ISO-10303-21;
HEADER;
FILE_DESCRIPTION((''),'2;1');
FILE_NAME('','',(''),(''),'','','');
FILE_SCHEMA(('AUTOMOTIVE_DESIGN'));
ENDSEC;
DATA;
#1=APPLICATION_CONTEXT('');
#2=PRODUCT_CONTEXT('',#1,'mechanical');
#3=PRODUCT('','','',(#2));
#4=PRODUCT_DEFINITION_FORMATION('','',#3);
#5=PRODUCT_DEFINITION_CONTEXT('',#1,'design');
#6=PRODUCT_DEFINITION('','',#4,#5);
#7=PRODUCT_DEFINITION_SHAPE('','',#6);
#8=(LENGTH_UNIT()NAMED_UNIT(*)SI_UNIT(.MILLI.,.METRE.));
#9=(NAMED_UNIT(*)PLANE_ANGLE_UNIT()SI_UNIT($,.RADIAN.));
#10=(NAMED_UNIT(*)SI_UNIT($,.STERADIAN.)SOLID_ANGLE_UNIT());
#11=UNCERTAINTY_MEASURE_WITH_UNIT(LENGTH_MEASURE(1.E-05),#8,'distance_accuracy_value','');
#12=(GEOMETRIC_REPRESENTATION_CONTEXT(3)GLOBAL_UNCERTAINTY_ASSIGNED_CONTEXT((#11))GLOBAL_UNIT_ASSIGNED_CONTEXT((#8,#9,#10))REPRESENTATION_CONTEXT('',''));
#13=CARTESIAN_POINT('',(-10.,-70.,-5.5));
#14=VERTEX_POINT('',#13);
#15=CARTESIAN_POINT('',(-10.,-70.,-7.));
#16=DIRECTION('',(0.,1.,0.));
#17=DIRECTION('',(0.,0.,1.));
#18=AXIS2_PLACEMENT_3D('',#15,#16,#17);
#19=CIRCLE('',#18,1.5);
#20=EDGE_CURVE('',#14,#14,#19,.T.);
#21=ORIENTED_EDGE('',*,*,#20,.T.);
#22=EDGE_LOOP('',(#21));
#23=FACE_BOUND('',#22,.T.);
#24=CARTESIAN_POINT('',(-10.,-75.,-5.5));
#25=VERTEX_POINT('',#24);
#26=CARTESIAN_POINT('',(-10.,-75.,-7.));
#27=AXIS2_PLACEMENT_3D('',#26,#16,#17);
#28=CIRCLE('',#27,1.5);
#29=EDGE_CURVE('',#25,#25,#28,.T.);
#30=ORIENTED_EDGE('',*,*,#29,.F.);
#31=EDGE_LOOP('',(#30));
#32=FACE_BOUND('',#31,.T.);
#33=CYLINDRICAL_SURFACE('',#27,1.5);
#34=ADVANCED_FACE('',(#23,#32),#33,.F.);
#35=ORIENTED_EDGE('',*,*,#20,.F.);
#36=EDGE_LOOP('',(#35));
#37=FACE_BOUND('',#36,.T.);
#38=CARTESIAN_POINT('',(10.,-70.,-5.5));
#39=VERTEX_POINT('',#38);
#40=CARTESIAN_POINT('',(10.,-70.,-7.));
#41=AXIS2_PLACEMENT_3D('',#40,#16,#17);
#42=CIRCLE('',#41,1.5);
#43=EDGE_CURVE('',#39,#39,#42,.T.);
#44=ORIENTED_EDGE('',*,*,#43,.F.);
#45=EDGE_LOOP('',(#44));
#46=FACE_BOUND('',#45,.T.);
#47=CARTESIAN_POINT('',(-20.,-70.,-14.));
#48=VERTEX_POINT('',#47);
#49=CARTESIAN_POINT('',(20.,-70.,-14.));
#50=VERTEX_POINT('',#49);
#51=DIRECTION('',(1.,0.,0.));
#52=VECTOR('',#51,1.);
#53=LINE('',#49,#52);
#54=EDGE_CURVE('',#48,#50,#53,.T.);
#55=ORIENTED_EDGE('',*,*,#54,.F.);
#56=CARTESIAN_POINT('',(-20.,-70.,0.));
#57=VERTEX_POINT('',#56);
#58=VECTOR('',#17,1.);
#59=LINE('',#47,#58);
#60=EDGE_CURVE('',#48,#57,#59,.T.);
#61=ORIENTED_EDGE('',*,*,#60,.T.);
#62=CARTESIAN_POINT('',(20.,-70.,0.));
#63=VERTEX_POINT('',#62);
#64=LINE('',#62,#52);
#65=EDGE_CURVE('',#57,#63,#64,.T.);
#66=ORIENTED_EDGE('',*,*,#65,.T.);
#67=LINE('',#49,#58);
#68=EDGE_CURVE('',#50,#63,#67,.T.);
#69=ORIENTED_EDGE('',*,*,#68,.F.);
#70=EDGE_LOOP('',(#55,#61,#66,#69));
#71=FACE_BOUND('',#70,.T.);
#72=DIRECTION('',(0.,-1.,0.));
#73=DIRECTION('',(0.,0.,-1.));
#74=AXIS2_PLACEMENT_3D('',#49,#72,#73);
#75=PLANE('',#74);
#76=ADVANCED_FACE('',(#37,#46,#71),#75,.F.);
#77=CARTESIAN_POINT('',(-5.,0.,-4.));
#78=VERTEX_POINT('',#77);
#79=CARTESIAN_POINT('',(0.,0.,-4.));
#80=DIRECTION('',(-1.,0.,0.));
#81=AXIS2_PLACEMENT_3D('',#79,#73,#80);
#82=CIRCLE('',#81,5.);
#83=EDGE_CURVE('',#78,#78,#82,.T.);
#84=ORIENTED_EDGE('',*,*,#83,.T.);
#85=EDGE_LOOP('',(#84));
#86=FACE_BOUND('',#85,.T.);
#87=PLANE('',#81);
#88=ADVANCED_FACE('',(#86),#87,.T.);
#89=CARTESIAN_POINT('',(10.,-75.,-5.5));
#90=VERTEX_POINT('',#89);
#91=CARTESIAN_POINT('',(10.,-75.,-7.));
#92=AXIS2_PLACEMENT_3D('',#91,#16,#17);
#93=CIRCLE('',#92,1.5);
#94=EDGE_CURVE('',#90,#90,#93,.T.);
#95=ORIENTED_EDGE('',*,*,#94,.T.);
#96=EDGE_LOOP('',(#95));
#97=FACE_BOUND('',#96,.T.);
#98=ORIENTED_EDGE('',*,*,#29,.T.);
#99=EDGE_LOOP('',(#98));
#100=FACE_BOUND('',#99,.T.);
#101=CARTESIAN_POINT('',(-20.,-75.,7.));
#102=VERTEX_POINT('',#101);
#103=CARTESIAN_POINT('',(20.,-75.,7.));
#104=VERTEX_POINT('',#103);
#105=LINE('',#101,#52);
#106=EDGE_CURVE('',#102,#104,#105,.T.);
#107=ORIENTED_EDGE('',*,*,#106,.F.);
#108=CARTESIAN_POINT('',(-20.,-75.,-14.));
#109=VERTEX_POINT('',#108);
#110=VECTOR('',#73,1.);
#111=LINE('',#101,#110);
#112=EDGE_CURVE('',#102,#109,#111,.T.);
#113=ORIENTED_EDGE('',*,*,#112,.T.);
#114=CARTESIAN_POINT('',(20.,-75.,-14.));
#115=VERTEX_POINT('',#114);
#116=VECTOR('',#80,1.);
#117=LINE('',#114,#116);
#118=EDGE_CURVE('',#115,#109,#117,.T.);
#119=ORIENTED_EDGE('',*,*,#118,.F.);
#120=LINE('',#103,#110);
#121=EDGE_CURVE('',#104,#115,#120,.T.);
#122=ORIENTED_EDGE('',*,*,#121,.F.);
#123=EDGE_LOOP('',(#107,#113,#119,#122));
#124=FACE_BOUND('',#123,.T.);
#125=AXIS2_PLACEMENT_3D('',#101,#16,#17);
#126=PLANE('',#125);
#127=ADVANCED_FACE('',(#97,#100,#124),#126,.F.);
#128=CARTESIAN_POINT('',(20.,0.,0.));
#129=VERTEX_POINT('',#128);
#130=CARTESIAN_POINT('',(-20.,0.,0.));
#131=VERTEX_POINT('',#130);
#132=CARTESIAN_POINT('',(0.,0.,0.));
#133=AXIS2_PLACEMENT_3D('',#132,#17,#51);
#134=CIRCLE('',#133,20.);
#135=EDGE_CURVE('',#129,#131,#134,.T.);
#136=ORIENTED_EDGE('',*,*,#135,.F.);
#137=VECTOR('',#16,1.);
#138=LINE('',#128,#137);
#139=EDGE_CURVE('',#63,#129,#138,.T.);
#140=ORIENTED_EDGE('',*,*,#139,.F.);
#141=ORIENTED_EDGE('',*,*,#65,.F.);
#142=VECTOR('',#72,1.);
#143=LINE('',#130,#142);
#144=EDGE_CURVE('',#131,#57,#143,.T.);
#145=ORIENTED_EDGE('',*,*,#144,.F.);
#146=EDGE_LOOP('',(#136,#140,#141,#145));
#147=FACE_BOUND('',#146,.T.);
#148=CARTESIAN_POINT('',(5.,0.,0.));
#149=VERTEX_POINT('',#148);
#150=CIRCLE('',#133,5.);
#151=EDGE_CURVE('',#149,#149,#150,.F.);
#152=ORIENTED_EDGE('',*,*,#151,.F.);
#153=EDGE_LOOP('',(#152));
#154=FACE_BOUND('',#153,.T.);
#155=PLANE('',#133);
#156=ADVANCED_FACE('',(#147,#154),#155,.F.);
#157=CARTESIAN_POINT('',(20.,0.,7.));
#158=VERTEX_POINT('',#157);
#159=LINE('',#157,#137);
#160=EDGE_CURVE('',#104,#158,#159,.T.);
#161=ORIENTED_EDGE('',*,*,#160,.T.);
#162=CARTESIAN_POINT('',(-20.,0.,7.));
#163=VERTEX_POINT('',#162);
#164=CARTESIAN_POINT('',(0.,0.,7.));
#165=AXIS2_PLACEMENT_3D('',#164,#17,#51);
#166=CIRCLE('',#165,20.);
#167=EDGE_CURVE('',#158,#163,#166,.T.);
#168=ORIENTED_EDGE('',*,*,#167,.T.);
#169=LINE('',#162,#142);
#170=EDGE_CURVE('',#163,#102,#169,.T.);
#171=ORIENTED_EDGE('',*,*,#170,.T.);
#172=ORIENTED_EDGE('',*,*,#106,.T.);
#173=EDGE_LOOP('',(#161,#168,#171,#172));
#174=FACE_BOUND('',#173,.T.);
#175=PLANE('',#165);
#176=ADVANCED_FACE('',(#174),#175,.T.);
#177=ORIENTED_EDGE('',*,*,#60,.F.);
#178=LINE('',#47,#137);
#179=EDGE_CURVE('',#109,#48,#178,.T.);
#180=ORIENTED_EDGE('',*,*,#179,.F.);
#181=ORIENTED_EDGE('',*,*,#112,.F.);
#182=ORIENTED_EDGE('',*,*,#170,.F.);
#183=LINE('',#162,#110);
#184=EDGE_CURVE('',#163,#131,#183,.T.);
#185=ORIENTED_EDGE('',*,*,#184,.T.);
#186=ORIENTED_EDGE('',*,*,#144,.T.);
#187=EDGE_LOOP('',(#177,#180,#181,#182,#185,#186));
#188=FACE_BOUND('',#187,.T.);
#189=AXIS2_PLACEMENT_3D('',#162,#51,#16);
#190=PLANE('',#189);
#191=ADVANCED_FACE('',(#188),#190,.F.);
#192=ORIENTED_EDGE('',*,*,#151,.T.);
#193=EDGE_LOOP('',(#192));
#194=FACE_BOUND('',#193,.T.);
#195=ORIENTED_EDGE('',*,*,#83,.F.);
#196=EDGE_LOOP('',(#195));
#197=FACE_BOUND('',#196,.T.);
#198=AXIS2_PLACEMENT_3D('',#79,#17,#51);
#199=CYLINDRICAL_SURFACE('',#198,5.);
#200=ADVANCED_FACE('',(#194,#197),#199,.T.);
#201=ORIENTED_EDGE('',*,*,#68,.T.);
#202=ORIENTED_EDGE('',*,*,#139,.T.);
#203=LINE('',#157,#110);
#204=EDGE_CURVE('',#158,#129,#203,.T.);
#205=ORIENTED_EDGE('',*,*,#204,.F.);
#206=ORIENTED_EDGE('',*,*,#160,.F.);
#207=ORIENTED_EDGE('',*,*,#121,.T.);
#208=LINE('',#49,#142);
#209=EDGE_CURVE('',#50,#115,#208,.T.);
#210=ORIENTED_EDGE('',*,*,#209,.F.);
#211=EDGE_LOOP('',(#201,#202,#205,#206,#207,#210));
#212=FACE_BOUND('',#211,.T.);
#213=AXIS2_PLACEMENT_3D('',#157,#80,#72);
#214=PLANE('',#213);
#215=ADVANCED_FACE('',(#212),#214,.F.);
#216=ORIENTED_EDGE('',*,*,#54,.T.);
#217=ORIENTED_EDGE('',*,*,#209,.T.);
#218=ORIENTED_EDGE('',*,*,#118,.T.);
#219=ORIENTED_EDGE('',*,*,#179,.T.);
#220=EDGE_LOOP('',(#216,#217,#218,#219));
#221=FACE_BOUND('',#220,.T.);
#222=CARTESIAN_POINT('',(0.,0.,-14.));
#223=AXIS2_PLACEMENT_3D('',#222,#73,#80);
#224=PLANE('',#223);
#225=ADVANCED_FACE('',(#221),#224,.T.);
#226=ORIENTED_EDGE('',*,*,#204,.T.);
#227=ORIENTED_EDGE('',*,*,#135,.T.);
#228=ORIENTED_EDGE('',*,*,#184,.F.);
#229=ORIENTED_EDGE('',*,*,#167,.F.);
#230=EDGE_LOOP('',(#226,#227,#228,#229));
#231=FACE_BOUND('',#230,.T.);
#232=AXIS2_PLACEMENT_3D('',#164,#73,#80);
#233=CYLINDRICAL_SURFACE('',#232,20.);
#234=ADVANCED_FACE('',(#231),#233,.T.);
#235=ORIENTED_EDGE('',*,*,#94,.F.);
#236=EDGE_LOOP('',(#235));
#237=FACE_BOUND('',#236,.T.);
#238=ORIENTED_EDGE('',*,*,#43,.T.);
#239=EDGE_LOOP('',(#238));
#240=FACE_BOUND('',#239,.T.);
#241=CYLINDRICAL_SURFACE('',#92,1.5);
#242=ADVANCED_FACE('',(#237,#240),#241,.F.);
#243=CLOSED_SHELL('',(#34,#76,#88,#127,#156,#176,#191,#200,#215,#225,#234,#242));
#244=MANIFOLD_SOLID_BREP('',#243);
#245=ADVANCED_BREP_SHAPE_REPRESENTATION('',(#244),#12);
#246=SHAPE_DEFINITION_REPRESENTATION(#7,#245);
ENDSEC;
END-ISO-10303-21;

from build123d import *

# Parameters (mm, degrees)
BOSS_EXTRUDE1_DEPTH = 7
SKETCH2_R           = 5
BOSS_EXTRUDE2_DEPTH = 4
SKETCH3_W           = 40
SKETCH3_H           = 5
BOSS_EXTRUDE3_DEPTH = 14
SKETCH5_R           = 1.5
CUT_EXTRUDE1_DEPTH  = 6


with BuildPart() as part:
    # Sketch1 → Boss-Extrude1 (new body)
    with BuildSketch(Plane.XY):
        with BuildLine():
            Line((20, 0), (20, -75))
            Line((20, -75), (-20, -75))
            Line((-20, -75), (-20, 0))
            ThreePointArc((-20, 0), (0, 20), (20, 0))
        make_face()
    extrude(amount=BOSS_EXTRUDE1_DEPTH)

    # Sketch2 → Boss-Extrude2 (add)
    with BuildSketch(Plane(origin=(0, 0, 0), x_dir=(-1, 0, 0), z_dir=(0, 0, -1))):
        Circle(SKETCH2_R)
    extrude(amount=BOSS_EXTRUDE2_DEPTH)

    # Sketch3 → Boss-Extrude3 (add)
    with BuildSketch(Plane(origin=(0, 0, 0), x_dir=(-1, 0, 0), z_dir=(0, 0, -1))):
        with Locations((0, -72.5)):
            Rectangle(SKETCH3_W, SKETCH3_H)
    extrude(amount=BOSS_EXTRUDE3_DEPTH)

    # Sketch5 → Cut-Extrude1 (cut, through all)
    with BuildSketch(Plane(origin=(0, -70, 0), x_dir=(1, 0, 0), z_dir=(0, 1, 0))):
        with Locations((10, 7)):
            Circle(SKETCH5_R)
        with Locations((-10, 7)):
            Circle(SKETCH5_R)
    extrude(amount=-CUT_EXTRUDE1_DEPTH, mode=Mode.SUBTRACT)


solid = part.part
